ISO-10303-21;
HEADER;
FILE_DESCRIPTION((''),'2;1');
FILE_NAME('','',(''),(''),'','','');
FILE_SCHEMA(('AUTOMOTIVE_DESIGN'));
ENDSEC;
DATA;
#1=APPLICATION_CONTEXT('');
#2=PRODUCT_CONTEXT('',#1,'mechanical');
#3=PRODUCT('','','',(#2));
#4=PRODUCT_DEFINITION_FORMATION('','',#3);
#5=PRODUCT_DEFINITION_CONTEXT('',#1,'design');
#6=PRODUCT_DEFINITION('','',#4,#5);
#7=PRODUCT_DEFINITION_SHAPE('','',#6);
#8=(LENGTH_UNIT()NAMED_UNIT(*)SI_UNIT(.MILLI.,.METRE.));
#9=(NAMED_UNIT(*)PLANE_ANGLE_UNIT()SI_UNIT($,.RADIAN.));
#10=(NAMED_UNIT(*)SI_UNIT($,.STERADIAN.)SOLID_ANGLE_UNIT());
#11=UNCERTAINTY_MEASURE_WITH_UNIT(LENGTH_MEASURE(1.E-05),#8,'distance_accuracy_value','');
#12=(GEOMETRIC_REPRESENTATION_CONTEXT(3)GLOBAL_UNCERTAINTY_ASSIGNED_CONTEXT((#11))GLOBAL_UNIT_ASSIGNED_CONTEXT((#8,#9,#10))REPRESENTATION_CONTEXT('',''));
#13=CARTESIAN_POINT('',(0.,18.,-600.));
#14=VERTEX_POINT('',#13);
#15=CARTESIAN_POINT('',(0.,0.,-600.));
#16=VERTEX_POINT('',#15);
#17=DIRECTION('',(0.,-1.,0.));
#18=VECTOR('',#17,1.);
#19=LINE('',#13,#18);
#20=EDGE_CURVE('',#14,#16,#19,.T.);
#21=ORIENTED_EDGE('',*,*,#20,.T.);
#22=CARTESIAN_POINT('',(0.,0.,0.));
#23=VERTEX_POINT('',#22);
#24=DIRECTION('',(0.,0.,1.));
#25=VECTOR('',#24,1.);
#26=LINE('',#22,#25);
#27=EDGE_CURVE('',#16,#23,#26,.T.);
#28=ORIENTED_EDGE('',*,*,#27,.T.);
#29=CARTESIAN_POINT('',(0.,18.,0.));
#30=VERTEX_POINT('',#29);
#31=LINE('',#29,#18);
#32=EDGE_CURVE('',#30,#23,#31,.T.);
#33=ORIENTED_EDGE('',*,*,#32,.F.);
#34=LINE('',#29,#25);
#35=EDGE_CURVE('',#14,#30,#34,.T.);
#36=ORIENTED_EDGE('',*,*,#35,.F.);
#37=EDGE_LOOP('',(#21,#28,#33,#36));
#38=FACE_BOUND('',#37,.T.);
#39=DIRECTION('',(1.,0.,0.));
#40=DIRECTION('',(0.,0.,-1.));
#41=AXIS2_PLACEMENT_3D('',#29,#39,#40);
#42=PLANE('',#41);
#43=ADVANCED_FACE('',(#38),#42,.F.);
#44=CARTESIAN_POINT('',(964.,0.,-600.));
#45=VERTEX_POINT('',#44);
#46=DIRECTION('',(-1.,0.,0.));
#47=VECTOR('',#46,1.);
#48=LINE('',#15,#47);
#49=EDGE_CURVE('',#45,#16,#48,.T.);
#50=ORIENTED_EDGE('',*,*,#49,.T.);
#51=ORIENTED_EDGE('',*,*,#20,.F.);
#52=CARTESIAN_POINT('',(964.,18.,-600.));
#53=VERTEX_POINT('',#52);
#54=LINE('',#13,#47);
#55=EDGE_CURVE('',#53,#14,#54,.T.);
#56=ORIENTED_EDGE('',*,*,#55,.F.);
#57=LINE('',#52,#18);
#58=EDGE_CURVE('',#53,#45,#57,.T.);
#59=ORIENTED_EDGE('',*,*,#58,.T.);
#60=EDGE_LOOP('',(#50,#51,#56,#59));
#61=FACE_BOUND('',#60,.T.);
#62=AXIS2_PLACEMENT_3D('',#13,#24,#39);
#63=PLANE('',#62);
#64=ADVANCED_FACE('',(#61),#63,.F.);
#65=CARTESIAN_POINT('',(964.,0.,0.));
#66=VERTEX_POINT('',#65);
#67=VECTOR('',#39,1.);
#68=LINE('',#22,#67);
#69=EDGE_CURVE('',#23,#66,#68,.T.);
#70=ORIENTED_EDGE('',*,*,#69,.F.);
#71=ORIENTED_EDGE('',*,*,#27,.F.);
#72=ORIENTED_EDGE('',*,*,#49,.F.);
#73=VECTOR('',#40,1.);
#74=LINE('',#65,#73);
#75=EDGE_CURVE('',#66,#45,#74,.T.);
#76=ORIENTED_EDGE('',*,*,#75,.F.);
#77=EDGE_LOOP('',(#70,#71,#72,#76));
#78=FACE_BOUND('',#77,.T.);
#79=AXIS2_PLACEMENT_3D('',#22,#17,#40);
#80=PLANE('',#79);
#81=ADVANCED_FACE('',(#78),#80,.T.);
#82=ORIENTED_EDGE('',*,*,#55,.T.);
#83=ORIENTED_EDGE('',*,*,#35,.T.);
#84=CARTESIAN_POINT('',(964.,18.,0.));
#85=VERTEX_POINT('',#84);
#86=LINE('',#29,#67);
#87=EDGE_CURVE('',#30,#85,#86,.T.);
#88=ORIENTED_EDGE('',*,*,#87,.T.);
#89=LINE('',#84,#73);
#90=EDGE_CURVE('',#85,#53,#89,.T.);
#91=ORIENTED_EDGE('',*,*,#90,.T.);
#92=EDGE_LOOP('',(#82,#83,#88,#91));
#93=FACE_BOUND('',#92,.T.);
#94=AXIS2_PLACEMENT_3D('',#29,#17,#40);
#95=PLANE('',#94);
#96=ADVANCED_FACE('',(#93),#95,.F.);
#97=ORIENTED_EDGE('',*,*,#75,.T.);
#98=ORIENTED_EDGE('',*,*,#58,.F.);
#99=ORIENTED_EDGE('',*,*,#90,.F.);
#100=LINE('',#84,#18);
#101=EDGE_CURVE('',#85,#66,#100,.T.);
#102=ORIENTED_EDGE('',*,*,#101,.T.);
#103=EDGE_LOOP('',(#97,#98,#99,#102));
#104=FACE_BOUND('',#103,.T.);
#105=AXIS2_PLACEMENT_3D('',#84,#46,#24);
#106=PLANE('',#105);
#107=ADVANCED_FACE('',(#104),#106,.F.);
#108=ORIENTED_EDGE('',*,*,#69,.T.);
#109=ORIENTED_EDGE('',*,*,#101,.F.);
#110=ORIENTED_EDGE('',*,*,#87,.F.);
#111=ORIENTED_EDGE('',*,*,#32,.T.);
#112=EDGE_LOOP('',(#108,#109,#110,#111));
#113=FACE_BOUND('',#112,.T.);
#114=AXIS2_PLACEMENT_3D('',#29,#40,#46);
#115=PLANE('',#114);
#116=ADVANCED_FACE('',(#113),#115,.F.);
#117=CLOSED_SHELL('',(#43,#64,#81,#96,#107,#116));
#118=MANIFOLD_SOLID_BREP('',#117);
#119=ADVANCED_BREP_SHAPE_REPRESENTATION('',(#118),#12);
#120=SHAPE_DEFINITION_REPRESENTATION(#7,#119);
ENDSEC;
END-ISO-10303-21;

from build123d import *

# Parameters (mm, degrees)
SKETCH_1_W      = 964
SKETCH_1_H      = 600
EXTRUDE_1_DEPTH = 18


with BuildPart() as part:
    # Эскиз1 → Бобышка-Вытянуть1 (new body)
    with BuildSketch(Plane(origin=(0, 0, 0), x_dir=(1, 0, 0), z_dir=(0, 1, 0))):
        with Locations((482, 300)):
            Rectangle(SKETCH_1_W, SKETCH_1_H)
    extrude(amount=EXTRUDE_1_DEPTH)


solid = part.part
